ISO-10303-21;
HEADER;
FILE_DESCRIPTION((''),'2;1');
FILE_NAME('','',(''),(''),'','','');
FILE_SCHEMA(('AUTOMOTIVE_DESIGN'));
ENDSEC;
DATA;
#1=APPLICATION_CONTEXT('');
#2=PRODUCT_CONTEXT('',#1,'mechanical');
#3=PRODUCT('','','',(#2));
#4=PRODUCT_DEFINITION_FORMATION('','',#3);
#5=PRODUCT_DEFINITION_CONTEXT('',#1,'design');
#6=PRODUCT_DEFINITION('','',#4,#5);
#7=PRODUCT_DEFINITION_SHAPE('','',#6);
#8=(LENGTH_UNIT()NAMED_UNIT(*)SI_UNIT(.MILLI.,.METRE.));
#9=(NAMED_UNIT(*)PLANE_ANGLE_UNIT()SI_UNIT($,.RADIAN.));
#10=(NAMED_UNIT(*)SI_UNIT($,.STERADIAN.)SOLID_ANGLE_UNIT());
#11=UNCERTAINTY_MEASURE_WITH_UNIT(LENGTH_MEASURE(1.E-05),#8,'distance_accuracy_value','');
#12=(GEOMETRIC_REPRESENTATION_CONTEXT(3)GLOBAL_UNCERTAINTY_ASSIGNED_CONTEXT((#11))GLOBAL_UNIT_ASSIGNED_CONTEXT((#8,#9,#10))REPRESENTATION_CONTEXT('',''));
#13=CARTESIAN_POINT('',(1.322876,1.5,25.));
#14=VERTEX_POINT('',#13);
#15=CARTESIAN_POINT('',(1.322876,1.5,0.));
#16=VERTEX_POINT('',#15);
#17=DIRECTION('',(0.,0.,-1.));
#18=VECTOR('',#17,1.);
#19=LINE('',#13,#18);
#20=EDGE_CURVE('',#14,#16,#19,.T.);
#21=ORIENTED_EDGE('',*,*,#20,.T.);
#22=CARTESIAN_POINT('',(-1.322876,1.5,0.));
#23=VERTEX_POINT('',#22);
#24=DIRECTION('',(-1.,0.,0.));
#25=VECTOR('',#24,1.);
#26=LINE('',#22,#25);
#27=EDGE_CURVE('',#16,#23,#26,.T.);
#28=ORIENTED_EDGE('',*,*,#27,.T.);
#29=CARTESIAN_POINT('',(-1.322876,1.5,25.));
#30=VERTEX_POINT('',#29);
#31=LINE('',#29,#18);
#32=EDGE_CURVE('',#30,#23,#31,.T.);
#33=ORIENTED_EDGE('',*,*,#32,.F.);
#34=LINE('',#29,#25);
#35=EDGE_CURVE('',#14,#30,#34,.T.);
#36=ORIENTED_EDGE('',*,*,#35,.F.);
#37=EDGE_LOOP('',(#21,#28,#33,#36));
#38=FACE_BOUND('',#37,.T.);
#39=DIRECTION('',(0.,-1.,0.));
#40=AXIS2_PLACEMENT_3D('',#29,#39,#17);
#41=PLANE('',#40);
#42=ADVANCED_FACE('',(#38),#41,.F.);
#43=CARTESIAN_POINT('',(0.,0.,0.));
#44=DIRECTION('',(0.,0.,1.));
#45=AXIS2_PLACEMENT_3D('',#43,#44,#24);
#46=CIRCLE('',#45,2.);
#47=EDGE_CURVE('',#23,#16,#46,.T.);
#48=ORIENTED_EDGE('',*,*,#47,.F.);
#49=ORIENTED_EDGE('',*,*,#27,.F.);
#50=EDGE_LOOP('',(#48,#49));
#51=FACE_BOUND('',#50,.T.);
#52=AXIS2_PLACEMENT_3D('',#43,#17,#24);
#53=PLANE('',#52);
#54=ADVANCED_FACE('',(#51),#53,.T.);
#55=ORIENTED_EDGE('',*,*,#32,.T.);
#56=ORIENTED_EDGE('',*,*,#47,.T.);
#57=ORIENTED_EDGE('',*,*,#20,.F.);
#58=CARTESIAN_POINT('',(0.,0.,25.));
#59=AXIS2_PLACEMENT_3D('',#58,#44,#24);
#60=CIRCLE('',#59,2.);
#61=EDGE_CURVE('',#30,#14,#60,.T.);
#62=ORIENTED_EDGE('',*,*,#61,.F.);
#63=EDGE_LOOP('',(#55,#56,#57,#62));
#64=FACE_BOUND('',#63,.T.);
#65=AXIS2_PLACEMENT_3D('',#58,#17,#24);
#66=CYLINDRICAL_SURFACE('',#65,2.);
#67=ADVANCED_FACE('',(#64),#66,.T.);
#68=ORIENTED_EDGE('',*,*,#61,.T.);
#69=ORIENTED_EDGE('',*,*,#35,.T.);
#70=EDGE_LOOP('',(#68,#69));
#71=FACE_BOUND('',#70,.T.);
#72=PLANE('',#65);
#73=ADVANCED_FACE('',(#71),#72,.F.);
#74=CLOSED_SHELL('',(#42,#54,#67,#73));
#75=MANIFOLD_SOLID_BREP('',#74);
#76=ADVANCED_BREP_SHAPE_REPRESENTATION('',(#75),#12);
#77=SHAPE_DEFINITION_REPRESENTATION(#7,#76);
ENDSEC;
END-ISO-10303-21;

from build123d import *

# Parameters (mm, degrees)
BOSS_EXTRUDE1_DEPTH = 25


with BuildPart() as part:
    # Sketch1 → Boss-Extrude1 (new body)
    with BuildSketch(Plane.XY):
        with BuildLine():
            Line((-1.322875656, 1.5), (1.322875656, 1.5))
            ThreePointArc((1.322875656, 1.5), (0, -2), (-1.322875656, 1.5))
        make_face()
    extrude(amount=BOSS_EXTRUDE1_DEPTH)


solid = part.part
